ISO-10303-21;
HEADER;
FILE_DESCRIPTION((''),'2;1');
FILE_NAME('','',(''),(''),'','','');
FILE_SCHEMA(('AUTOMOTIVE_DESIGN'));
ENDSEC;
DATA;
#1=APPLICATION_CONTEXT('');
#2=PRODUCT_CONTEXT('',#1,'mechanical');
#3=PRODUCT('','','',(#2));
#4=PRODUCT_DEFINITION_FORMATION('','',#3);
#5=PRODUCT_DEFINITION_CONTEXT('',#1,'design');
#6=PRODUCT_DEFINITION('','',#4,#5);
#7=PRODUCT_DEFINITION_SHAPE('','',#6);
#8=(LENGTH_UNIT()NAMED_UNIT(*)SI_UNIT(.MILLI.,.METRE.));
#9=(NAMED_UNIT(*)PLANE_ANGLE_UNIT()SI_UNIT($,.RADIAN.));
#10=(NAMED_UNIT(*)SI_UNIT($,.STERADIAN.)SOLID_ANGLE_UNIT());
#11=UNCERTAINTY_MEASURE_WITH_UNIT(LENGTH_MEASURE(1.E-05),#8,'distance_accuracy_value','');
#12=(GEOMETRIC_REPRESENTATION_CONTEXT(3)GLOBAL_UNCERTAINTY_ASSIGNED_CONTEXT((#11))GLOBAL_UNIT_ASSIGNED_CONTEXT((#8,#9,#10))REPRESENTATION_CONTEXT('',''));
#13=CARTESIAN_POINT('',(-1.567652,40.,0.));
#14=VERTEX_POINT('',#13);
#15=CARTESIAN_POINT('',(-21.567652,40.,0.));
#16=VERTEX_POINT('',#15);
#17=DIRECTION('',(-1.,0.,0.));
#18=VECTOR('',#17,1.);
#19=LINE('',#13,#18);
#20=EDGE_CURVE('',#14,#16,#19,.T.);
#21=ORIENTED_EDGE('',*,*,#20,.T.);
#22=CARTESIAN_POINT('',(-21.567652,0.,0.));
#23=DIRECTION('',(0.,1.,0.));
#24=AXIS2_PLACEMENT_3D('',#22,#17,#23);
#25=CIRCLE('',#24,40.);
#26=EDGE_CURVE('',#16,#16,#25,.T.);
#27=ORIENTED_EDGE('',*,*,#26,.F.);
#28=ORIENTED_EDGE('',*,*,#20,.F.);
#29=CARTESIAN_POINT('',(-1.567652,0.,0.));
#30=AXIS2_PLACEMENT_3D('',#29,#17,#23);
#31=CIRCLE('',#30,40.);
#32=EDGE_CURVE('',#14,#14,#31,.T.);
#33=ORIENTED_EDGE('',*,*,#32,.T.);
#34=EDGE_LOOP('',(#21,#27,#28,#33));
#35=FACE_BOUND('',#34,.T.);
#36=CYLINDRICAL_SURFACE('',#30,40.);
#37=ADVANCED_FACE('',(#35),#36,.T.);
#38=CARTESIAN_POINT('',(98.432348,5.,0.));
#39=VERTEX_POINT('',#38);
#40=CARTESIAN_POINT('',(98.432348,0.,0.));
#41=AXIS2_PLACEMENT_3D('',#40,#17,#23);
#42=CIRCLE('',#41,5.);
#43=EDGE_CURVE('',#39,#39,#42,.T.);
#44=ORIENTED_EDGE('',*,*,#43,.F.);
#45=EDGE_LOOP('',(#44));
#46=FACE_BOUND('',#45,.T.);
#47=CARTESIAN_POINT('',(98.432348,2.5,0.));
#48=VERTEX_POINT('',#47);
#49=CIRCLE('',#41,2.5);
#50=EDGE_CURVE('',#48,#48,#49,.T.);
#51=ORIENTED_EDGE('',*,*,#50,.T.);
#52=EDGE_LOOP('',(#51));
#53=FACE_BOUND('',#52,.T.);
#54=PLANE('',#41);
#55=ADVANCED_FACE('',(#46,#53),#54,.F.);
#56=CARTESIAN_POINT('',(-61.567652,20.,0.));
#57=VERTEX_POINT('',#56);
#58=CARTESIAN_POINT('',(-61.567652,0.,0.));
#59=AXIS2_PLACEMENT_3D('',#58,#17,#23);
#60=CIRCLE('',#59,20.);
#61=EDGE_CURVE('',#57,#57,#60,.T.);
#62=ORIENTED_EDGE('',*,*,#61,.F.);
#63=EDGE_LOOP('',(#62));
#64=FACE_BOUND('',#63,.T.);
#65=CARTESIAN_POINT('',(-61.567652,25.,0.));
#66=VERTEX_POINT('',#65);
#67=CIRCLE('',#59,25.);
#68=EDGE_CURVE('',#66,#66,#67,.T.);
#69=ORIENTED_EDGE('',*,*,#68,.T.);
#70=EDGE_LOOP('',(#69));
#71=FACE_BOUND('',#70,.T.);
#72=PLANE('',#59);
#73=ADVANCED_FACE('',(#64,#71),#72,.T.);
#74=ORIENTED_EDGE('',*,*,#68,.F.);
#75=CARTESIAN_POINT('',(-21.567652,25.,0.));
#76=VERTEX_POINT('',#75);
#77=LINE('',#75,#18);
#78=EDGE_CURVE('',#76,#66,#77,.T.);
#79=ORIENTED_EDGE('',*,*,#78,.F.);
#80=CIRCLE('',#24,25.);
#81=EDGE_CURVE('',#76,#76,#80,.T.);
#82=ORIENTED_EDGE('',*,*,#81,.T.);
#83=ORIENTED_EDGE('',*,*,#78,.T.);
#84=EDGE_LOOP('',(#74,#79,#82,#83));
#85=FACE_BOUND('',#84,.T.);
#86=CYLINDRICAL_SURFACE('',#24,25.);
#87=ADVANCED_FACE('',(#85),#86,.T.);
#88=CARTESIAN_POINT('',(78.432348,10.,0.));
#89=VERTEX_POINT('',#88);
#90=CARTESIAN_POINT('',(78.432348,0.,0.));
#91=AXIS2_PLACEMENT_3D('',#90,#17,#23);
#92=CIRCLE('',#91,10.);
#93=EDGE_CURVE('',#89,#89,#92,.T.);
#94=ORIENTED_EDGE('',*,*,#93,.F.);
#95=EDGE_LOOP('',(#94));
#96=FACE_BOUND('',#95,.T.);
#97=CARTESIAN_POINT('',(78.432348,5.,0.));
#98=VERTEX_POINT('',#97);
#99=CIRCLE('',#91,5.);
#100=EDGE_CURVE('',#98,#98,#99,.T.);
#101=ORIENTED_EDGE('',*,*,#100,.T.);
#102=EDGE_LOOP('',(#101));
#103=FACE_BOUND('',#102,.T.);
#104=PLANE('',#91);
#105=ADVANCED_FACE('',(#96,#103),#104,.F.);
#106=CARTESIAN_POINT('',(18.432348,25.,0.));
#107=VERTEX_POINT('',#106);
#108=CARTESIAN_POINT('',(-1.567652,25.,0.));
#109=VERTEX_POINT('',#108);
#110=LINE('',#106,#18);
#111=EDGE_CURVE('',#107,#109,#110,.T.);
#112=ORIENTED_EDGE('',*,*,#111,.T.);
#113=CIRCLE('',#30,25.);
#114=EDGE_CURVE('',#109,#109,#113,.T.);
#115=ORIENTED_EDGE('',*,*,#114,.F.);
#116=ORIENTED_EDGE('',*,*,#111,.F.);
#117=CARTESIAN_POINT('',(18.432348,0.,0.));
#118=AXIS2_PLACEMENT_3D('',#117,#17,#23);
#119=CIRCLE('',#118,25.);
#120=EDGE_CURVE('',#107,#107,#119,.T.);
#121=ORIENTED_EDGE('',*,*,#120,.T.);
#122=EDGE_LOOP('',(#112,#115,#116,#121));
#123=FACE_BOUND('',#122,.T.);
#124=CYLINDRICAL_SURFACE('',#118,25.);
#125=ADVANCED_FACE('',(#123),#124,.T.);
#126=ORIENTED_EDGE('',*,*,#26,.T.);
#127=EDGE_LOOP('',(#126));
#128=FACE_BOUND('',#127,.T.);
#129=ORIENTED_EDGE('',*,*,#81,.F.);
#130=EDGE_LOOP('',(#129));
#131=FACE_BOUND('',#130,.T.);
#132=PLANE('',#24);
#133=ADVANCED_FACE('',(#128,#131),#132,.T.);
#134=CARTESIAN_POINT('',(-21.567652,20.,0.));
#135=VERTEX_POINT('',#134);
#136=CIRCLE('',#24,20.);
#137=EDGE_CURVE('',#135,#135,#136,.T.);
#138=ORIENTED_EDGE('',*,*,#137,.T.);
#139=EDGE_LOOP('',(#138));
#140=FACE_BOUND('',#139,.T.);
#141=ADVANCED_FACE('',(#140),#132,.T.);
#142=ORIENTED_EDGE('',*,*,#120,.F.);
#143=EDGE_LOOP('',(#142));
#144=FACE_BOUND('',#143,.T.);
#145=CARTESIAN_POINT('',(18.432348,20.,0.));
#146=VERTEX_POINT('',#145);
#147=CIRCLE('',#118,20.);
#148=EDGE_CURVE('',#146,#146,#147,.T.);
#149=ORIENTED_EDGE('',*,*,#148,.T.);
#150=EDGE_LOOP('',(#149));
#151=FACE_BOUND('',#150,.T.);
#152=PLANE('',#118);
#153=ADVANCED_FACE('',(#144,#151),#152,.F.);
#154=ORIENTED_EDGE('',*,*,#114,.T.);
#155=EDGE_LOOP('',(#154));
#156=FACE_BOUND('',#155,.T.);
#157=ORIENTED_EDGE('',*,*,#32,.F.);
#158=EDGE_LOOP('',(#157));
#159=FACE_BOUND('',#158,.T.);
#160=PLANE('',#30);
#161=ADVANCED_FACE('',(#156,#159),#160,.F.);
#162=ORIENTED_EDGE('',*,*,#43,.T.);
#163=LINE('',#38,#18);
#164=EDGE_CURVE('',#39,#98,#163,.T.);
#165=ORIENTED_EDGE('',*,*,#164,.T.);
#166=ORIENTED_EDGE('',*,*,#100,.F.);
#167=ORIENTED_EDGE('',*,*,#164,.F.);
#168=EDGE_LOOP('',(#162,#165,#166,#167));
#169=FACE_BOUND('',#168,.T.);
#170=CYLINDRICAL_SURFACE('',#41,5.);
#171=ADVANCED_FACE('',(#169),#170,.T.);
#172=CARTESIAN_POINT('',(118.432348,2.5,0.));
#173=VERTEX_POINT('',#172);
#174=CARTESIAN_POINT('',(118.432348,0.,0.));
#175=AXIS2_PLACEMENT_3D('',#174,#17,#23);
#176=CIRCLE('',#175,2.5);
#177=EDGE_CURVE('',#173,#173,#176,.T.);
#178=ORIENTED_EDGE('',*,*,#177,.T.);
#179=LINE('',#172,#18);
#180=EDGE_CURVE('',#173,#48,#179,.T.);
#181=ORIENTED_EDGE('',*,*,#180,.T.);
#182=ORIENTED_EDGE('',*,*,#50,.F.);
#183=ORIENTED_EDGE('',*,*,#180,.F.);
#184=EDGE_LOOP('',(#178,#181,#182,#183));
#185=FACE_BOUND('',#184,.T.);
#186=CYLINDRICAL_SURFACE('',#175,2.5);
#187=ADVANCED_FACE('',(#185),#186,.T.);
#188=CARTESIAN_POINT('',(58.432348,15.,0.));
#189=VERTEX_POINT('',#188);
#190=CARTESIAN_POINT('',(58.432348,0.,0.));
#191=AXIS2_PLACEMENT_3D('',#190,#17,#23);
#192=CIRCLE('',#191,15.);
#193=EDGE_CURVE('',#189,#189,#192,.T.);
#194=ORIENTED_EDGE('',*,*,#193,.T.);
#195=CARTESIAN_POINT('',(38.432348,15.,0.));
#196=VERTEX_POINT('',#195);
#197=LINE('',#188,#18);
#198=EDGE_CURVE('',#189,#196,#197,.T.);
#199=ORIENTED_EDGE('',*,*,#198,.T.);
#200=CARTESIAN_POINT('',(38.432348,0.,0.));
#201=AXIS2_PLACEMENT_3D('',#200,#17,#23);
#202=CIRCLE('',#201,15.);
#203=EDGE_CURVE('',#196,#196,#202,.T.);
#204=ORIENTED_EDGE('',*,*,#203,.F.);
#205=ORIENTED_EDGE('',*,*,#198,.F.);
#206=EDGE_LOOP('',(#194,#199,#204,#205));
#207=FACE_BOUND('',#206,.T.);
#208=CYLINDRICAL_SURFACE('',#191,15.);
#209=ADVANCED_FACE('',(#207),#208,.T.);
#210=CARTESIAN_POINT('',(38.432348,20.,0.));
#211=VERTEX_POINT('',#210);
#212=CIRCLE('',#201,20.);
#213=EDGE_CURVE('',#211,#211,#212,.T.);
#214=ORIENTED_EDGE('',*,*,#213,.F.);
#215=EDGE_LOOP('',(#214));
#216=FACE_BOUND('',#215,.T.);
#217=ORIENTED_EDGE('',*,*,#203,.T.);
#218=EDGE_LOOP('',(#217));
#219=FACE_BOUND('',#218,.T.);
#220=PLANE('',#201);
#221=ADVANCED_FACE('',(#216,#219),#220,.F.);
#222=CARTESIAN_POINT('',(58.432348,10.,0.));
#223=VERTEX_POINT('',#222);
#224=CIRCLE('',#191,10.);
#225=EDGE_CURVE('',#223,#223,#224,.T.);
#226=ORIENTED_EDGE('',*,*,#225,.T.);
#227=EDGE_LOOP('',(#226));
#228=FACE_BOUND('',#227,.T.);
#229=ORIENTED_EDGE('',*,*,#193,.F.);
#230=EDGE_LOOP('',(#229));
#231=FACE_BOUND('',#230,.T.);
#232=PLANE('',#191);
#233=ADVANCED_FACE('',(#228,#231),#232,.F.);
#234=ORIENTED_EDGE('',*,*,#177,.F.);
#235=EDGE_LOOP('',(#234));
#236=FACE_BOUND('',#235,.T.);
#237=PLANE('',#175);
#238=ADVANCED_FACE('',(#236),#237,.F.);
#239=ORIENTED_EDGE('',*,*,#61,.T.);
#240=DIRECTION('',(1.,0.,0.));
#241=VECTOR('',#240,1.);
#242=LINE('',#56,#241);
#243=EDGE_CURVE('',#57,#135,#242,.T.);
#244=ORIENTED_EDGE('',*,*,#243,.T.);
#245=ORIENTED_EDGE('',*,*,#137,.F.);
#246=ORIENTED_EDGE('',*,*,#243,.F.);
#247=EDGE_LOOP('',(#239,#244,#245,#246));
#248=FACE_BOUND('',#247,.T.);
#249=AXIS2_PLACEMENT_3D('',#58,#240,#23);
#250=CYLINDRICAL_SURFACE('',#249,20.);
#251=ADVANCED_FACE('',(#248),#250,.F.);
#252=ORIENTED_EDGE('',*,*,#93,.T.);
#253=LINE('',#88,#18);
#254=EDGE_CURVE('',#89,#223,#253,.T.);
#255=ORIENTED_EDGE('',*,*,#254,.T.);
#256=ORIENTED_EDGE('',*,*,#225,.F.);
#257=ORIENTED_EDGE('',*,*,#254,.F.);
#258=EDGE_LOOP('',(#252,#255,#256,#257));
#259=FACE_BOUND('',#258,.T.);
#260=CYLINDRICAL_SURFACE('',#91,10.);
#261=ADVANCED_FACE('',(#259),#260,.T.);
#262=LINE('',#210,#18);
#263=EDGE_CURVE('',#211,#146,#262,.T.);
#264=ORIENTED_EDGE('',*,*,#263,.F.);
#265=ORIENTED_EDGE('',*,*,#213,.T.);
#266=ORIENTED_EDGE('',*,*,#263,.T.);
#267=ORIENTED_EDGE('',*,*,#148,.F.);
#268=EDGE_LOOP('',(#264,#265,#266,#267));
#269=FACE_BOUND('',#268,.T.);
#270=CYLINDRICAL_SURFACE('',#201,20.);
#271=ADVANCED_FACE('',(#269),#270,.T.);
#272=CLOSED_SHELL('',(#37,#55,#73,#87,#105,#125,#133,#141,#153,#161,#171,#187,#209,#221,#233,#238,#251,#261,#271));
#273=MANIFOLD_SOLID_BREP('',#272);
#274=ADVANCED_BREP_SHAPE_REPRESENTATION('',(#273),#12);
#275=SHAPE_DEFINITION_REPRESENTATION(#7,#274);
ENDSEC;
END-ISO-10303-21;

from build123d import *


with BuildPart() as f1:
    # F0 (on Top) → F1 (revolve)
    with BuildSketch(Plane.XY):
        Polygon((-61.567652, 25), (-61.567652, 20), (-21.567652, 20), (-21.567652, 0), (118.432348, 0), (118.432348, 2.5), (98.432348, 2.5), (98.432348, 5), (78.432348, 5), (78.432348, 10), (58.432348, 10), (58.432348, 15), (38.432348, 15), (38.432348, 20), (18.432348, 20), (18.432348, 25), (-1.567652, 25), (-1.567652, 40), (-21.567652, 40), (-21.567652, 25), align=None)
    revolve(axis=Axis((48.432348, 0, 0), (-1, 0, 0)))


solid = f1.part
